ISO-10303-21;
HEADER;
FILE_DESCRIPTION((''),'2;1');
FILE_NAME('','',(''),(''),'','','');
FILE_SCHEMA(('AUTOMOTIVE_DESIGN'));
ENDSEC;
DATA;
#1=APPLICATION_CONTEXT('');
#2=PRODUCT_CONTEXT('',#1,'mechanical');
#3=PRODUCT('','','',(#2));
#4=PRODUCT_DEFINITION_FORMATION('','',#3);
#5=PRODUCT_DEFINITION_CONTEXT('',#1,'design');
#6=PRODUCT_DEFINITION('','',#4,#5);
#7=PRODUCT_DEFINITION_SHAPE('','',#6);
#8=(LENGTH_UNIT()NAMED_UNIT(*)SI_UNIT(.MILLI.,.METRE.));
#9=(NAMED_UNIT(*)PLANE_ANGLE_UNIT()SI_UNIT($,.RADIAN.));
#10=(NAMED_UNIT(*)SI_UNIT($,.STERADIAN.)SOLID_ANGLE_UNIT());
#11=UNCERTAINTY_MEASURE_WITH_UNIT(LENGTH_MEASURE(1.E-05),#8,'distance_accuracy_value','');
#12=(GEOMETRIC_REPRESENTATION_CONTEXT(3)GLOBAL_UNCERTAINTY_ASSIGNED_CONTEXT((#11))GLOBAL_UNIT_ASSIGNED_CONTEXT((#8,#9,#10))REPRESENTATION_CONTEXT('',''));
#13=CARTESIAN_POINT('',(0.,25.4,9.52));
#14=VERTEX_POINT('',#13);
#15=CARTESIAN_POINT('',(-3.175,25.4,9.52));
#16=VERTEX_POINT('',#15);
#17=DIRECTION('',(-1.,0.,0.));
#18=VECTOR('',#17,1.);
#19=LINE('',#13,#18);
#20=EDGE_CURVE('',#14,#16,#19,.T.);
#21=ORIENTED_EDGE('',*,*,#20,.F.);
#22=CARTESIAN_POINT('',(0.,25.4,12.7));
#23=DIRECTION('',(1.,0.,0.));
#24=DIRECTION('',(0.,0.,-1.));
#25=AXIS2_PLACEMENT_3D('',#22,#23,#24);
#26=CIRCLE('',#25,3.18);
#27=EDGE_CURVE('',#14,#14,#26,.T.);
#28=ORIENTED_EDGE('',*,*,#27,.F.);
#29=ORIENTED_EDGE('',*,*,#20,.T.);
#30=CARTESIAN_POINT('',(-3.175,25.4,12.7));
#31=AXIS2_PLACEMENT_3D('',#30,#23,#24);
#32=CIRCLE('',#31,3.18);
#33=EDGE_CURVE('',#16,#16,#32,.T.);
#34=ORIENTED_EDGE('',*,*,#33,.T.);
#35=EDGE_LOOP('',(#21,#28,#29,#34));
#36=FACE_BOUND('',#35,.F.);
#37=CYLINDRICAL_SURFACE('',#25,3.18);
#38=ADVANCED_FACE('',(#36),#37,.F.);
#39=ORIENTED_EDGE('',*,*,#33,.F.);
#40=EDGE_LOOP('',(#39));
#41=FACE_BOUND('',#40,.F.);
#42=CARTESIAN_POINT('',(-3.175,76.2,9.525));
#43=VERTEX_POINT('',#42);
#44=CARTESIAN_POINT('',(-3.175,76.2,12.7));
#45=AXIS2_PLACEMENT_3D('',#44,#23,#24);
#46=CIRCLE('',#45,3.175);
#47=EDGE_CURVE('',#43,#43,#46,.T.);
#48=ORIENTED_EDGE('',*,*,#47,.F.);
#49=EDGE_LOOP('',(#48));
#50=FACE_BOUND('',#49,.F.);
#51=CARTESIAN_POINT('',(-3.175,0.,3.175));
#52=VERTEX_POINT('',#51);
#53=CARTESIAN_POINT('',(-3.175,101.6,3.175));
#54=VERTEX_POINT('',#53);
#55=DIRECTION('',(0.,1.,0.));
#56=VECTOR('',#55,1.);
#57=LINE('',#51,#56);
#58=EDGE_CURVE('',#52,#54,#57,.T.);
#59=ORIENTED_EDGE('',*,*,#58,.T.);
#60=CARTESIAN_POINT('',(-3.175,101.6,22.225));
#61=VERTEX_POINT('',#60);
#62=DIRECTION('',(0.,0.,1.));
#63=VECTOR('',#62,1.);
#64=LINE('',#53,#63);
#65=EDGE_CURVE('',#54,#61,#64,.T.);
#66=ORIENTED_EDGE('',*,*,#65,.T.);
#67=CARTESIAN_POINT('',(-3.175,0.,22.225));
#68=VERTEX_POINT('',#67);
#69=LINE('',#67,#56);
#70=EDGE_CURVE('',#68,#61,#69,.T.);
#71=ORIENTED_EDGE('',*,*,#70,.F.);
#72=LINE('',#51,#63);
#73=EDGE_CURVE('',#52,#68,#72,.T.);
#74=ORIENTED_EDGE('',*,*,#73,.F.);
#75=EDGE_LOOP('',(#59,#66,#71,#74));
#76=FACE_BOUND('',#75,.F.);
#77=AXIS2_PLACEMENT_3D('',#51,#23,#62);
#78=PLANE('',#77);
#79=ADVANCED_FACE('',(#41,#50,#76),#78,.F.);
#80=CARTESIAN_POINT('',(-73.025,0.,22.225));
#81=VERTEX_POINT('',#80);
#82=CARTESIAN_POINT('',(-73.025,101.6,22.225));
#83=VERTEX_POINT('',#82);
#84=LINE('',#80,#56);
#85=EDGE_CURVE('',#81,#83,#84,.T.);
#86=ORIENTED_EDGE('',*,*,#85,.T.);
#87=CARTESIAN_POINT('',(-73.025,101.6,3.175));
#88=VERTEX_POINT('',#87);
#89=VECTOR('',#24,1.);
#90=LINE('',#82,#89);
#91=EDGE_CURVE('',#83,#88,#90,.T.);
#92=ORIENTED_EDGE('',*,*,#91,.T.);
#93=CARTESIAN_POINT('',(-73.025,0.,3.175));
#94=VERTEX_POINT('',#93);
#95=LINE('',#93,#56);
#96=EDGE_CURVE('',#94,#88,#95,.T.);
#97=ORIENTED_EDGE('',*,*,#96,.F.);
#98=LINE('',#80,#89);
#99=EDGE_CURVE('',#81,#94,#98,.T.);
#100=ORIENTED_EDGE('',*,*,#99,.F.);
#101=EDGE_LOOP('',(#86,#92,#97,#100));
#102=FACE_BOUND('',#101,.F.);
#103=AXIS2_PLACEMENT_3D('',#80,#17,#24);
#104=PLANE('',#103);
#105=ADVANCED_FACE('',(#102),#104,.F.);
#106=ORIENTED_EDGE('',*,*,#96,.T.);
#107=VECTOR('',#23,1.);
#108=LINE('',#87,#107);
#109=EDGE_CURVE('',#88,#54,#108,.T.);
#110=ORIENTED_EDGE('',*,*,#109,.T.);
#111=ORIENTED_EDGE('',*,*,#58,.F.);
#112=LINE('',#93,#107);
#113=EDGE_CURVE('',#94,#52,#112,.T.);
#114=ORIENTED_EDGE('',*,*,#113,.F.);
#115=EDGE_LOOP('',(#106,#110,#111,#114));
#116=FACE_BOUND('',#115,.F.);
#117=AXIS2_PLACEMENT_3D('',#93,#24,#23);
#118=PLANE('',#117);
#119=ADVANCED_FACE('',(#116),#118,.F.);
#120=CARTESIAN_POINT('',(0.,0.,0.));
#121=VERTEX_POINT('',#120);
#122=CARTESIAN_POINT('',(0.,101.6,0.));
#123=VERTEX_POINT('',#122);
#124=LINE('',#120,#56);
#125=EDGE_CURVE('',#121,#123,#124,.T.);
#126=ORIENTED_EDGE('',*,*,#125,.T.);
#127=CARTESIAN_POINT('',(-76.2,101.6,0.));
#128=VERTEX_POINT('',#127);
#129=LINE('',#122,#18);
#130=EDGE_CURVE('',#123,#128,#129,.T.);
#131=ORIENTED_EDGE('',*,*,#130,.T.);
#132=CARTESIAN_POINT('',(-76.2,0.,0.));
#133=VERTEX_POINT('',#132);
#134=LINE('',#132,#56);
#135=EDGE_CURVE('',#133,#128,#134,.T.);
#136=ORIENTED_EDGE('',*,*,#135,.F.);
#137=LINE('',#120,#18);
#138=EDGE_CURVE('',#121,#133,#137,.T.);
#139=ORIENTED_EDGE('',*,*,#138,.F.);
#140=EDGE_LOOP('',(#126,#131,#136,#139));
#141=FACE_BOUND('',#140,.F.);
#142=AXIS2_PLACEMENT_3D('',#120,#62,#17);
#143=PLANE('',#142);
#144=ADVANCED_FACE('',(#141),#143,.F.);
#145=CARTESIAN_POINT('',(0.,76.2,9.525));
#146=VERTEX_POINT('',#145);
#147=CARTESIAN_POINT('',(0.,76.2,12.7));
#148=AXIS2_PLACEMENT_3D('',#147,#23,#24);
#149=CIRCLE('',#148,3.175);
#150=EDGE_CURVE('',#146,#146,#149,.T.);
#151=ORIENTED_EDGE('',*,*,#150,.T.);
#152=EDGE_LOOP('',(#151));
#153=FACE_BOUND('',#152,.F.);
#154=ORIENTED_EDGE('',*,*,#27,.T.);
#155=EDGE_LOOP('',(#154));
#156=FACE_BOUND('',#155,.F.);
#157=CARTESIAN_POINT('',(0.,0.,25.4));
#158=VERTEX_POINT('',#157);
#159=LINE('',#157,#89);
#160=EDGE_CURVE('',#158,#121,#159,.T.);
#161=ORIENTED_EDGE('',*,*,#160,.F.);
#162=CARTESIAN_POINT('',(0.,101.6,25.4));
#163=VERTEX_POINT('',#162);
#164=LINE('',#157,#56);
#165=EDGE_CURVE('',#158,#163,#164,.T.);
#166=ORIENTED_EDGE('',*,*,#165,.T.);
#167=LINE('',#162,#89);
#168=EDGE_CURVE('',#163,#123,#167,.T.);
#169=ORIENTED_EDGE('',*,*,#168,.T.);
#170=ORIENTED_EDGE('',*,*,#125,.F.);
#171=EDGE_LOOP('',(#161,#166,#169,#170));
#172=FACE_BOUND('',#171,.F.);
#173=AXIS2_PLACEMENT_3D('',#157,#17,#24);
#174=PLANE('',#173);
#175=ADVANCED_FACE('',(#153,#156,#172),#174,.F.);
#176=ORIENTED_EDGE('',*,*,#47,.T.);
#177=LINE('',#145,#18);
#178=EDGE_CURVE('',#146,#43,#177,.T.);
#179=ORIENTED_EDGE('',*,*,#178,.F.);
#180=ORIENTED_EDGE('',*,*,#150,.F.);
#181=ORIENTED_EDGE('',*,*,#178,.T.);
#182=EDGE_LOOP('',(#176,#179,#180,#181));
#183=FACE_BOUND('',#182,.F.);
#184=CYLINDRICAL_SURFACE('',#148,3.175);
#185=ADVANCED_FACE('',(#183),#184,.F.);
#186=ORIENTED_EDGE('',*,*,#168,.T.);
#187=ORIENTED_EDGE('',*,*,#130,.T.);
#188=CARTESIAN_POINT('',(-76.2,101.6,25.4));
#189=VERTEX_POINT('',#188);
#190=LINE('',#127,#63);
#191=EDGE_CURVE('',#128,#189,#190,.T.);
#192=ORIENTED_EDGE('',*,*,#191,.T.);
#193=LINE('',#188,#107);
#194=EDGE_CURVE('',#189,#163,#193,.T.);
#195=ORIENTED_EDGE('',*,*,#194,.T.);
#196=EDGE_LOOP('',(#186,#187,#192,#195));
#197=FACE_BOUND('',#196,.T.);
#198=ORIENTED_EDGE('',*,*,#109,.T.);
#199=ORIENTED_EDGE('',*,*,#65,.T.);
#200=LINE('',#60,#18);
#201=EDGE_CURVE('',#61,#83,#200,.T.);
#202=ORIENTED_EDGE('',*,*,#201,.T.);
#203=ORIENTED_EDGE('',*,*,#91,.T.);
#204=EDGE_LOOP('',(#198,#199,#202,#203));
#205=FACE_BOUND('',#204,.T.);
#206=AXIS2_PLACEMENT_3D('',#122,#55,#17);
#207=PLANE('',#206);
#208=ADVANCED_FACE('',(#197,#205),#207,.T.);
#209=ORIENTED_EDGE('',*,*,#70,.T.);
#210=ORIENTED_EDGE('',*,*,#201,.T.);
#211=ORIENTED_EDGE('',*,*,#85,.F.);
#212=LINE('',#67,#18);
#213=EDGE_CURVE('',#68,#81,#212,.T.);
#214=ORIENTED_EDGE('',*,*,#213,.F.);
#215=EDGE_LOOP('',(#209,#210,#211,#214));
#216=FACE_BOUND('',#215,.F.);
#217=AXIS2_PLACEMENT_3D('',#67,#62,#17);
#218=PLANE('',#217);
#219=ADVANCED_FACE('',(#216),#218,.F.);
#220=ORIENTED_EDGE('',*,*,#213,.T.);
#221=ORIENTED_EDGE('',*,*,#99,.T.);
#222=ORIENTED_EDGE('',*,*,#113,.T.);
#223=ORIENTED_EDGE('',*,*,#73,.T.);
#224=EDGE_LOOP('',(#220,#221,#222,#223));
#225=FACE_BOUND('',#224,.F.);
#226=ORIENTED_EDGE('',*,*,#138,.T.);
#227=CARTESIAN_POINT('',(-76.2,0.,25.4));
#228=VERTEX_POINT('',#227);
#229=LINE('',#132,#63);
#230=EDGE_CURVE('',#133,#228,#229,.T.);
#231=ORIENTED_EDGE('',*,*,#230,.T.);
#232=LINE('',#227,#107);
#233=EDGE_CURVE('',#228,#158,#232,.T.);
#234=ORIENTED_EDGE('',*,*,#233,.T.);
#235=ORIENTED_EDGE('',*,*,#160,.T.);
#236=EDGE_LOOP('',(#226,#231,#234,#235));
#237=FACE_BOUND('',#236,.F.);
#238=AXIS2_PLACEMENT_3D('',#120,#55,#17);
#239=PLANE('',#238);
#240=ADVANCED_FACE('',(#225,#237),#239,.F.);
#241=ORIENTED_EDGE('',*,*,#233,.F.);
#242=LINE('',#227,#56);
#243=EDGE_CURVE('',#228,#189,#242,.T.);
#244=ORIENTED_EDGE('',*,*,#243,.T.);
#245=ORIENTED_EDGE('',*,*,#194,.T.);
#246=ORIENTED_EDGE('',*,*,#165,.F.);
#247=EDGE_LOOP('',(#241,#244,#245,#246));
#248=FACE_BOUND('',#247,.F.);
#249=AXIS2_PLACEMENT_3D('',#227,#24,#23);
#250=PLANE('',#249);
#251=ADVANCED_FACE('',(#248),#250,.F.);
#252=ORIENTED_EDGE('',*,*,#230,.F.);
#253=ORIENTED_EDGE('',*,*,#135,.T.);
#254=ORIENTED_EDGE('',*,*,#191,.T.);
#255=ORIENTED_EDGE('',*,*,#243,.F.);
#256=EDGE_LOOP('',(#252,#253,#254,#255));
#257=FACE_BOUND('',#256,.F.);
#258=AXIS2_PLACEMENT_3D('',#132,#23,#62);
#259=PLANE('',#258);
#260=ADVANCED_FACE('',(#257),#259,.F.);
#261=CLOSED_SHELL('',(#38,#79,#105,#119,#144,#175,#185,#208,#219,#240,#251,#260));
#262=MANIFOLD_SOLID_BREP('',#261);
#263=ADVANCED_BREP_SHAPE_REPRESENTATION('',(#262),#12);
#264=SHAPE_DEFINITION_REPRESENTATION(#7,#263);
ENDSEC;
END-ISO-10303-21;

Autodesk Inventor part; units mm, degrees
ref_plane "YZ Plane" through (0, 0, 0) normal (1, 0, 0) x (0, 1, 0)
ref_plane "XZ Plane" through (0, 0, 0) normal (0, 1, 0) x (-1, 0, 0)
ref_plane "XY Plane" through (0, 0, 0) normal (0, 0, 1) x (1, 0, 0)
sketch "Sketch1" plane through (0, 0, 0) normal (0, 1, 0) x (-1, 0, 0)
  line L0 (0, 0) -> (76.2, 0)
  line L1 (76.2, 0) -> (76.2, 25.4)
  line L2 (76.2, 25.4) -> (0, 25.4)
  line L3 (0, 25.4) -> (0, 0)
  line L4 (73.025, 22.225) -> (73.025, 3.175)
  line L5 (73.025, 3.175) -> (3.175, 3.175)
  line L6 (3.175, 3.175) -> (3.175, 22.225)
  line L7 (3.175, 22.225) -> (73.025, 22.225)
  dimension "d0" = 76.2
  dimension "d1" = 25.4
  dimension "d2" = 3.175
extrude "Extrusion1" add sketch "Sketch1" along normal blind 101.6
sketch "Sketch2" plane through (0, 0, 25.4) normal (1, 0, 0) x (0, 0, -1)
  circle A0 centre (12.7, 76.2) radius 3.175
  circle A1 centre (12.7, 25.4) radius 3.18
  line L0 (0, 101.6) -> (25.4, 101.6) projected
  line L1 (0, 0) -> (25.4, 0) projected
  dimension "d5" = 6.35
  dimension "d6" = 25.4
  dimension "d7" = 25.4
extrude "Extrusion2" cut sketch "Sketch2" against normal blind 3.175
sketch "Sketch4" plane through (0, 0, 25.4) normal (1, 0, 0) x (0, 0, -1)
  line L0 (0, 101.6) -> (25.4, 101.6) projected
  circle A0 centre (12.7, 76.2) radius 3.175 projected
  line L1 (0, 0) -> (25.4, 0) projected
  circle A1 centre (12.7, 25.4) radius 3.18 projected
  dimension "d17" = 25.4
  dimension "d18" = 25.4
properties part number "Plate"
